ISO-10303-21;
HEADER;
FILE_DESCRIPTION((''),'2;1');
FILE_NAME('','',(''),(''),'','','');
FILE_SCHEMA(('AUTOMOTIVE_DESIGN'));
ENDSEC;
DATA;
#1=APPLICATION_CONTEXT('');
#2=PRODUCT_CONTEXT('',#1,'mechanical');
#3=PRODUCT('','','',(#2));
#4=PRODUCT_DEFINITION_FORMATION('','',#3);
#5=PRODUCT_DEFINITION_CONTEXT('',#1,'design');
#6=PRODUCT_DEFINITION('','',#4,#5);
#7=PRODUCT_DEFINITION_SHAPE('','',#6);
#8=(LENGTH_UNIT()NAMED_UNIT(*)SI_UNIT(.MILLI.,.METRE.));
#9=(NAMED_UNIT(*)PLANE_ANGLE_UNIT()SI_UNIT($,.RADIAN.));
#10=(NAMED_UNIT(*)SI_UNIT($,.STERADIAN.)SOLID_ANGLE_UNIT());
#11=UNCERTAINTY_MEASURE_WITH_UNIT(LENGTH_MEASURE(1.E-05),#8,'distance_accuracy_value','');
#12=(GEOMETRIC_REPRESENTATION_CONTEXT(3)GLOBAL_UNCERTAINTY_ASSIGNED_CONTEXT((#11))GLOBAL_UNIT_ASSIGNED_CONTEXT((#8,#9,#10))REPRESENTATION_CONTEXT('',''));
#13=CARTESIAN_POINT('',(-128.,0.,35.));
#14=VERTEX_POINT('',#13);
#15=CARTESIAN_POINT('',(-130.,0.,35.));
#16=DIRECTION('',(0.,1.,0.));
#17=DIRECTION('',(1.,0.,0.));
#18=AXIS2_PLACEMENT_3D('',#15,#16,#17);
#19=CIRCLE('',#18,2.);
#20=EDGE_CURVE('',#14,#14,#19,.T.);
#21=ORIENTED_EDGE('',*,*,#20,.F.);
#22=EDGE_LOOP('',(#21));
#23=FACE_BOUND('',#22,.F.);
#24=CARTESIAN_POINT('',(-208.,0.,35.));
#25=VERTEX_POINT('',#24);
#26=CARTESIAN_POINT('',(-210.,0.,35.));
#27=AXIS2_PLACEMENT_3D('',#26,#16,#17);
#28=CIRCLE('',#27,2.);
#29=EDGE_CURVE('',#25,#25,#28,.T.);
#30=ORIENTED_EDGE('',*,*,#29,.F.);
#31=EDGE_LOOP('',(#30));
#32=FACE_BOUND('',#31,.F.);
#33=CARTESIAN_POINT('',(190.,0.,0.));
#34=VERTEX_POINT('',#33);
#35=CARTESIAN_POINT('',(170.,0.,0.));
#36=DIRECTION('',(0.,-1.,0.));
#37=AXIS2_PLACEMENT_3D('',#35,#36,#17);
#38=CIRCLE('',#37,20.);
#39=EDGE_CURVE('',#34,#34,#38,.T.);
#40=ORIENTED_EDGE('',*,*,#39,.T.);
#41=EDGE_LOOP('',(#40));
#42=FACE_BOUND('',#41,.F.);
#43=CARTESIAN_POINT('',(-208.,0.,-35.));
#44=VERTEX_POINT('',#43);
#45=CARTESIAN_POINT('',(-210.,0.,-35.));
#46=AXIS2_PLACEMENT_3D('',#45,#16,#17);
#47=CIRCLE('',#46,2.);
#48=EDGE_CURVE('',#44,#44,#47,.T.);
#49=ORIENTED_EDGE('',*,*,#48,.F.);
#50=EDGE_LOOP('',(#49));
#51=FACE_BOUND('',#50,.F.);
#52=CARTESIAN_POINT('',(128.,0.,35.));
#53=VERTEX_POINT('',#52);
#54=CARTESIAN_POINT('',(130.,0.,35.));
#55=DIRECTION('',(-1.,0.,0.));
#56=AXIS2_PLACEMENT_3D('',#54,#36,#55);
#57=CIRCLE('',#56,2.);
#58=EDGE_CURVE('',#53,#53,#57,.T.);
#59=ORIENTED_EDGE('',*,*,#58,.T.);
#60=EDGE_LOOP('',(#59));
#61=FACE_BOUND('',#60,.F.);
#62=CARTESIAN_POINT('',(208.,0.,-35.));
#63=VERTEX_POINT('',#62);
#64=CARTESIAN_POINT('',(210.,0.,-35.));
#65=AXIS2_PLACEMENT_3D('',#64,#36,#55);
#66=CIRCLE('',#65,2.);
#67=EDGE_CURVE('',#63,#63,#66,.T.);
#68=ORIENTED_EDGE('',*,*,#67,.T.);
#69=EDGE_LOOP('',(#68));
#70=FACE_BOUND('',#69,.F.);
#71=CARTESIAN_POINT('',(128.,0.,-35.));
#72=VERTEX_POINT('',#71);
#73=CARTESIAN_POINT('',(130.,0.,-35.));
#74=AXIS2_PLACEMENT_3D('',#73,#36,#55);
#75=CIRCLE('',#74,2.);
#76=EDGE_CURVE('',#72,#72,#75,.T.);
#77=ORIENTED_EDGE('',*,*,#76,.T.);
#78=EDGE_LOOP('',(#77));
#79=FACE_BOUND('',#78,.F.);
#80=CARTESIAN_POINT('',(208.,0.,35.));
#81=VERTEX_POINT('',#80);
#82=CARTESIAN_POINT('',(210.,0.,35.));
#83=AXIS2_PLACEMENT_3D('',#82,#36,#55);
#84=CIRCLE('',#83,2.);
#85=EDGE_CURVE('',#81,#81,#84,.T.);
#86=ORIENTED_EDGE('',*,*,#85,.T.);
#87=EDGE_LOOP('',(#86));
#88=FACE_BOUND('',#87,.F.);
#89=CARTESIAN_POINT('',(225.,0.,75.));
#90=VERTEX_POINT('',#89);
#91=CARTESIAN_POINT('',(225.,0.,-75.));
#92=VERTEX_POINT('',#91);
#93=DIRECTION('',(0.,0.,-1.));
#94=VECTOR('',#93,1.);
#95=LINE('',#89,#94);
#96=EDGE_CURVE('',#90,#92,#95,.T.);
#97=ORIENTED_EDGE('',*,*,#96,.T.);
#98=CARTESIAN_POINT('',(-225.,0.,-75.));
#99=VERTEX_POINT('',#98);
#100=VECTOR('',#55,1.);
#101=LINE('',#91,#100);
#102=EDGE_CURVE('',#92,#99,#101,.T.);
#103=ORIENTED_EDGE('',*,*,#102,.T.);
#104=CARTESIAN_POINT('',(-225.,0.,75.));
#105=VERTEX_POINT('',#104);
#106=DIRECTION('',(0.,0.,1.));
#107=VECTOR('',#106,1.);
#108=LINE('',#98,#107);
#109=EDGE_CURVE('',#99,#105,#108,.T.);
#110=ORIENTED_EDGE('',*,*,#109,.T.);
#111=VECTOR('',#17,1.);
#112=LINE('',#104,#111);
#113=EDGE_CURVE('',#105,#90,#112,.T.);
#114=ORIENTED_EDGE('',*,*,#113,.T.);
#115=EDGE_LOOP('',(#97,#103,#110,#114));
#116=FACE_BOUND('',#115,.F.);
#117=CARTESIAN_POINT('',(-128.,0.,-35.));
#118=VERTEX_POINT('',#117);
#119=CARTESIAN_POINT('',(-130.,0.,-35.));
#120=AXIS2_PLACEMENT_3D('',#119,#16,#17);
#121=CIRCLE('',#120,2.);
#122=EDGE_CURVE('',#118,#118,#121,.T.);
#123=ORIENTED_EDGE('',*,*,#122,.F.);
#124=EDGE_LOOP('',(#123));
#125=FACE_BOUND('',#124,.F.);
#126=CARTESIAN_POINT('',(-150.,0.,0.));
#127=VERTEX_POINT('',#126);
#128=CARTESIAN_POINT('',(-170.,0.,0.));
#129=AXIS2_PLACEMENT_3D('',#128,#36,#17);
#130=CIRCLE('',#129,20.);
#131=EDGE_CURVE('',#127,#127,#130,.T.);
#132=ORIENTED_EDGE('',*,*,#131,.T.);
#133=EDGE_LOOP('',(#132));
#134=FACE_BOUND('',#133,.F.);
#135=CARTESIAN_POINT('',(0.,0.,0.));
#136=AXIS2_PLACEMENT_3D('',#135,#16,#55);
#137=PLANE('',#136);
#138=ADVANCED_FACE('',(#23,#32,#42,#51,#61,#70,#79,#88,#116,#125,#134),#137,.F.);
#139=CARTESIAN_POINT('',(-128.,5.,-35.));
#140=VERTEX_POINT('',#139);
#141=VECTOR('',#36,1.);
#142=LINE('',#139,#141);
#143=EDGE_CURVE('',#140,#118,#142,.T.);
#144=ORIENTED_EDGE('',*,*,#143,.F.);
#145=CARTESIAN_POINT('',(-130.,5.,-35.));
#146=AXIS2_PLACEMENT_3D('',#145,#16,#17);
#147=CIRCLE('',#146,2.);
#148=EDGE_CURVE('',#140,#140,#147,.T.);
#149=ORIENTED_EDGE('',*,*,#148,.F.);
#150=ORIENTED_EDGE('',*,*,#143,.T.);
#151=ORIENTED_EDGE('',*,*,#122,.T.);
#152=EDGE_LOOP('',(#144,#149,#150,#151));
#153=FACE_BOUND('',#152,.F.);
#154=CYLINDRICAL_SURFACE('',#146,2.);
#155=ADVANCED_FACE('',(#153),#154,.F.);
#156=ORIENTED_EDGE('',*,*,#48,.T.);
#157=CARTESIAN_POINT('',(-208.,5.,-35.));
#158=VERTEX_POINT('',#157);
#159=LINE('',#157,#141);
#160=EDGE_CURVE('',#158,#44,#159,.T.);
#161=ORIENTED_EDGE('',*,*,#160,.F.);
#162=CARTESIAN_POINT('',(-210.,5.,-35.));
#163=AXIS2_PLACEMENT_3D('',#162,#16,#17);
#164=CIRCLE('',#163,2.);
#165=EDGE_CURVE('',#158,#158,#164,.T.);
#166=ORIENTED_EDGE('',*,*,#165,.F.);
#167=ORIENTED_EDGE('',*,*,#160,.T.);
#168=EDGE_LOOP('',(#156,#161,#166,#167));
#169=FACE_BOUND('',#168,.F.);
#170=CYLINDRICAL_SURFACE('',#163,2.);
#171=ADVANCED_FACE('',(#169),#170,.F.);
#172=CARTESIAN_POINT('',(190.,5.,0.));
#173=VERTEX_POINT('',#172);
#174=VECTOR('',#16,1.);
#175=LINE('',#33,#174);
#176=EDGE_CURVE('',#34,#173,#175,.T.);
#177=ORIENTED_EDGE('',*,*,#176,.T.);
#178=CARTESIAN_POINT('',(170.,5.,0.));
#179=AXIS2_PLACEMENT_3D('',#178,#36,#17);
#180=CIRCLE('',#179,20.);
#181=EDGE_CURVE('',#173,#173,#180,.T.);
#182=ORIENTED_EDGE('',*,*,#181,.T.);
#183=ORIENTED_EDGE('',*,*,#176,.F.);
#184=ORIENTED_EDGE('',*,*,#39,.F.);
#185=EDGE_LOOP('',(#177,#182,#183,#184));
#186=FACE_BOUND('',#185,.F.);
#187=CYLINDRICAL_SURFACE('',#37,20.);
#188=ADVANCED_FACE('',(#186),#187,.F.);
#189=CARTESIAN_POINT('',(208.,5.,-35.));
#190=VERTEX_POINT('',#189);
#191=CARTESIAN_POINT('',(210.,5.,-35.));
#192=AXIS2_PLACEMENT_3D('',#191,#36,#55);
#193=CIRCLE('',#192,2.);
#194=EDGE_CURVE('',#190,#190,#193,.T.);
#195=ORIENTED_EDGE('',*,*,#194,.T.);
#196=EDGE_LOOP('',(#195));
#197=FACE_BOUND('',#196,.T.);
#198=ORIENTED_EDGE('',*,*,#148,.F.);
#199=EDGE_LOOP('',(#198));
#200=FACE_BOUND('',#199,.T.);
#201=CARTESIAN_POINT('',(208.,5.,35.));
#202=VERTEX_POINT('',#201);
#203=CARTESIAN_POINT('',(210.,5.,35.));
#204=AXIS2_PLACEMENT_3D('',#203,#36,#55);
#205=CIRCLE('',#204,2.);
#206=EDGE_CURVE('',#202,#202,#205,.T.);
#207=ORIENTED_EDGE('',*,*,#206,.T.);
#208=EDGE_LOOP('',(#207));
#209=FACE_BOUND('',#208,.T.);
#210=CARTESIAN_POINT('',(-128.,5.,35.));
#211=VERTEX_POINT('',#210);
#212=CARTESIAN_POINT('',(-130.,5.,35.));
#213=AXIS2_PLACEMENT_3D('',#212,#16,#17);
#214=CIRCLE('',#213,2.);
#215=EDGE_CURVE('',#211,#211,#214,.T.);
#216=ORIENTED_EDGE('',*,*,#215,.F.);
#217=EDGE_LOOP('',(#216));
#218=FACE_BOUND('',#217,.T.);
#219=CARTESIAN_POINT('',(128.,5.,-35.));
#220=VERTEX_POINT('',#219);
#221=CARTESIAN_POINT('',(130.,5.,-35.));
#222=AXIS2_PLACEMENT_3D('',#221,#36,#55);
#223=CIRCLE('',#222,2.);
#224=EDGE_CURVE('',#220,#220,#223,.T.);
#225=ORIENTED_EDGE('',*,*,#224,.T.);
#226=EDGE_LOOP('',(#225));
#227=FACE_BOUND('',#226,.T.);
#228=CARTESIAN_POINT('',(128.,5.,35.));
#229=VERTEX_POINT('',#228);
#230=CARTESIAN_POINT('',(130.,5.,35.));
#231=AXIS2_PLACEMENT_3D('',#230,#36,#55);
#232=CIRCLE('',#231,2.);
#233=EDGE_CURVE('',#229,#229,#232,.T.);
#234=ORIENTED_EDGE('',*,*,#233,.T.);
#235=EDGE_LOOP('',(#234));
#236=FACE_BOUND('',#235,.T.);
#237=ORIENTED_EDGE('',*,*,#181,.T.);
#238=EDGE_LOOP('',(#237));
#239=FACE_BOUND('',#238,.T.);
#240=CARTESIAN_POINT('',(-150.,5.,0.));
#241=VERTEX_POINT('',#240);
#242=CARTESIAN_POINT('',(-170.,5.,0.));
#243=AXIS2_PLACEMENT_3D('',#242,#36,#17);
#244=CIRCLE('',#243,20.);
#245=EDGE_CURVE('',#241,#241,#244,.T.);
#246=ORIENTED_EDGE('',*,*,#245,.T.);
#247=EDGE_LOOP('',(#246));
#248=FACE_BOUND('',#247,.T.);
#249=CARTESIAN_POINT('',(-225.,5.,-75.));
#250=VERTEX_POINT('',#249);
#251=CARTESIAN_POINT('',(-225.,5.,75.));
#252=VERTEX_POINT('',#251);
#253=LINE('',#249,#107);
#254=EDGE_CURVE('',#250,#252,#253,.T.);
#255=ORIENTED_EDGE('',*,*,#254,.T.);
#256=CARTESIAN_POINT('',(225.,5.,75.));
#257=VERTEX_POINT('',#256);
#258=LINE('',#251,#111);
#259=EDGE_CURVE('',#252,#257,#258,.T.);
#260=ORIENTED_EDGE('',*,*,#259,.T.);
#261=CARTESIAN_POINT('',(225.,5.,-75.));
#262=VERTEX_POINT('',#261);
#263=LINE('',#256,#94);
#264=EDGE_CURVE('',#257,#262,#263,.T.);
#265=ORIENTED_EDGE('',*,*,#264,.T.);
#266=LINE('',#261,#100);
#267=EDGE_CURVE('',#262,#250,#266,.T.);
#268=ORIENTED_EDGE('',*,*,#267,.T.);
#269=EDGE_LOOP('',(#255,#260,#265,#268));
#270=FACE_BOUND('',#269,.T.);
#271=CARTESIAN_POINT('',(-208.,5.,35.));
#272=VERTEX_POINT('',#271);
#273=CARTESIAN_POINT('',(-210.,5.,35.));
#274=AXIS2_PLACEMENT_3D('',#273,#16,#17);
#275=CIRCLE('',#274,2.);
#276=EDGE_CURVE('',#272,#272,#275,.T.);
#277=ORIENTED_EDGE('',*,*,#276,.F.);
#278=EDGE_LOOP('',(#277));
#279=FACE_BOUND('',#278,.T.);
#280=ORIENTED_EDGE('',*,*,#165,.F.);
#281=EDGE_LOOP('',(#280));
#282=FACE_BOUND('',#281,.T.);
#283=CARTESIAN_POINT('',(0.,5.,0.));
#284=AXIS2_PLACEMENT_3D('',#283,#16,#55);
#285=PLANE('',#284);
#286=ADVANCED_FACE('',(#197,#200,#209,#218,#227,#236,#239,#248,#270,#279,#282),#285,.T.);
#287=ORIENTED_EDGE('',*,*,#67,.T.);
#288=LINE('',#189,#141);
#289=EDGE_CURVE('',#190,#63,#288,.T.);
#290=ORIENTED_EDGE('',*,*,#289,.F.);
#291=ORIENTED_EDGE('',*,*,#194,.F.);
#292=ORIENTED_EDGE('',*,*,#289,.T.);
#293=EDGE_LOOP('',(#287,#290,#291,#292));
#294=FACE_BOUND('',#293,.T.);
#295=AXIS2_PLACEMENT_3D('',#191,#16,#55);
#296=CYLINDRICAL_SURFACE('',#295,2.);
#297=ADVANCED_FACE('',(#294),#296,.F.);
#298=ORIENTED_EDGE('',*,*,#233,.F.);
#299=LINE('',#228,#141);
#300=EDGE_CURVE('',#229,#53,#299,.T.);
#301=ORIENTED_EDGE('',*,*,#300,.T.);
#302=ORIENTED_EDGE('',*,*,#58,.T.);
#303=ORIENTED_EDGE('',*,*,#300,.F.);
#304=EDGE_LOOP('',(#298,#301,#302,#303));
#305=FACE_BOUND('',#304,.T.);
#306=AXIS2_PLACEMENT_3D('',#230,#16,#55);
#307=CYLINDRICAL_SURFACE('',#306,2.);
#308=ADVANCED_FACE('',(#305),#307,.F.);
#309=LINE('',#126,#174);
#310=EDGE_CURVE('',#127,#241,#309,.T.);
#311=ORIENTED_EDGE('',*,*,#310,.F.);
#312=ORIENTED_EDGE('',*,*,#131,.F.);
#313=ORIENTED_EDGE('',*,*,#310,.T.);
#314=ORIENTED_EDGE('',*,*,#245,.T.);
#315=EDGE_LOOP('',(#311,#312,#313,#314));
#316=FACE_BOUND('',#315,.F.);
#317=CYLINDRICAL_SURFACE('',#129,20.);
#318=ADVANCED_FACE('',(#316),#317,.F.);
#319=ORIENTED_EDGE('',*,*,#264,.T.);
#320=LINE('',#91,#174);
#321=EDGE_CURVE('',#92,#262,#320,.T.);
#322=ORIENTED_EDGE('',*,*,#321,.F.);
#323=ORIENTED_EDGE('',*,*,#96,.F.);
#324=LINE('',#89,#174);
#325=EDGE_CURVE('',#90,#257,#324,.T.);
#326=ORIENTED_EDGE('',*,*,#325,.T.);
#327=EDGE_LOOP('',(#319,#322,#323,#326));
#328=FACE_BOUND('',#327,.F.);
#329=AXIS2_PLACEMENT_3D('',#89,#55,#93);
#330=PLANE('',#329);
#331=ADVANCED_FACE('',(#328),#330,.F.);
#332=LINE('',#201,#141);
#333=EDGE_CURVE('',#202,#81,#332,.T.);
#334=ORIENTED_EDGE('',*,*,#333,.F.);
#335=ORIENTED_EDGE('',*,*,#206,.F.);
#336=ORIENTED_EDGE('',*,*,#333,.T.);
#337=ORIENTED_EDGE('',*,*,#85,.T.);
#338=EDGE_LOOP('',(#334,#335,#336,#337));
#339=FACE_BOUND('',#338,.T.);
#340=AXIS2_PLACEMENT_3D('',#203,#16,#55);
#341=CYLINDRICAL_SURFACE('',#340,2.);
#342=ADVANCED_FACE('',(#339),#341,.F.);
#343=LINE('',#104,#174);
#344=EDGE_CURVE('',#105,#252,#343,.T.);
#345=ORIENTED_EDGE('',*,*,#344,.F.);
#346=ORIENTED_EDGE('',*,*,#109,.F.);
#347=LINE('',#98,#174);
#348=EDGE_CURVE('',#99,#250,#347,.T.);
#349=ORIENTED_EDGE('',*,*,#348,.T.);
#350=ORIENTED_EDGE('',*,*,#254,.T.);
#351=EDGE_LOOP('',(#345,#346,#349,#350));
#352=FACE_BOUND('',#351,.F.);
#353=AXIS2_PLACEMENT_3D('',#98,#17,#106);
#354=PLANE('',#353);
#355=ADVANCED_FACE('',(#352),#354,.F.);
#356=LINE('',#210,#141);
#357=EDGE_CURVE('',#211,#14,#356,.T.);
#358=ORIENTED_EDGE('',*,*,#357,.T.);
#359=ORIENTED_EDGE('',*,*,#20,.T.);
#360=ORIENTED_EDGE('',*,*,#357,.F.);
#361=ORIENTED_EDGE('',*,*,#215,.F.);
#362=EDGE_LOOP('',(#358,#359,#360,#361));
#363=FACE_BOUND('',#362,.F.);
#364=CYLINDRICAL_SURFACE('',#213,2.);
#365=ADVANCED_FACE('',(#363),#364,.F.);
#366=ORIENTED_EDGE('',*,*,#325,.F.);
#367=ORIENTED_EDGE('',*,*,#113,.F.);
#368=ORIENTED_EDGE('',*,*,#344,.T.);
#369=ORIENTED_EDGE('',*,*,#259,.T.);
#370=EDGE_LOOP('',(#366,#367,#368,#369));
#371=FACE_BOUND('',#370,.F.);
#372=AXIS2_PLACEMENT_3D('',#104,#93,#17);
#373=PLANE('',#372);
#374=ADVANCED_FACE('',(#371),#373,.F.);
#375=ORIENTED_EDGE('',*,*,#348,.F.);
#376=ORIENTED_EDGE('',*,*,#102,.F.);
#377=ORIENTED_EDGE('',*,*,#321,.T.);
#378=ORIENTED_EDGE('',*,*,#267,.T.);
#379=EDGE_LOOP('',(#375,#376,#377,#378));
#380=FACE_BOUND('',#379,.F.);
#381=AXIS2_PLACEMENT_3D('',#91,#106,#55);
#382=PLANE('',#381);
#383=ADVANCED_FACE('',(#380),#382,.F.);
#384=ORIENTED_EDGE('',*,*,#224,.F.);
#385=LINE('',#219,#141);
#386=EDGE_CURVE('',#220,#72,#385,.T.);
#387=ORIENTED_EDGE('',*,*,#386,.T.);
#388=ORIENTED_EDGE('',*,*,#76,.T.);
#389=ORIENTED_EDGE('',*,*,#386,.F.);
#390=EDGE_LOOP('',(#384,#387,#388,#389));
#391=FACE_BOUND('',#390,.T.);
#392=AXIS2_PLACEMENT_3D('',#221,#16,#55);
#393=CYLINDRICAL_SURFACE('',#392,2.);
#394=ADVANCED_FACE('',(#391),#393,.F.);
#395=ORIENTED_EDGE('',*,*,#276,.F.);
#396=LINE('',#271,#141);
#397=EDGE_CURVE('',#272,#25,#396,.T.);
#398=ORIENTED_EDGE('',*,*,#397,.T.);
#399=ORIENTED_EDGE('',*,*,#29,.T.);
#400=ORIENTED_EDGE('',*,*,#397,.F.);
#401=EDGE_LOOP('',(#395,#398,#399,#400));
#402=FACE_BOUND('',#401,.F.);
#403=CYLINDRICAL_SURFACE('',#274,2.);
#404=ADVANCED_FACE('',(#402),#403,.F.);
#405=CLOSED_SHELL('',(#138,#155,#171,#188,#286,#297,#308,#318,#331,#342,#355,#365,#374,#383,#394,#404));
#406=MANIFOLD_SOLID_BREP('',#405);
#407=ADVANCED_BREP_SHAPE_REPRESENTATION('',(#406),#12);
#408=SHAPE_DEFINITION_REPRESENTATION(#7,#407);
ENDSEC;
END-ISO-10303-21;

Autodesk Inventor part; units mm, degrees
ref_plane "YZ Plane" through (0, 0, 0) normal (1, 0, 0) x (0, 1, 0)
ref_plane "XZ Plane" through (0, 0, 0) normal (0, 1, 0) x (-1, 0, 0)
ref_plane "XY Plane" through (0, 0, 0) normal (0, 0, 1) x (1, 0, 0)
sketch "Sketch1" plane through (0, 0, 0) normal (0, 1, 0) x (-1, 0, 0)
  line L0 (225, 75) -> (-225, 75)
  line L1 (-225, 75) -> (-225, -75)
  line L2 (-225, -75) -> (225, -75)
  line L3 (225, -75) -> (225, 75)
  line L4 (225, 75) -> (-225, -75) construction
  line L5 (-225, 75) -> (225, -75) construction
  point P0 (0, 0)
  dimension "d0" = 450
  dimension "d1" = 150
extrude "Extrusion1" add sketch "Sketch1" along normal blind 5
sketch "Sketch2" plane through (0, 5, 0) normal (0, 1, 0) x (1, 0, 0)
  circle A0 centre (-210, -35) radius 2.05 projected
  circle A1 centre (-130, 35) radius 2.05 projected
  circle A2 centre (-130, -35) radius 2.05 projected
  circle A3 centre (-210, 35) radius 2.05 projected
  arc A4 (-190.5, 40) -> (-194.5, 44.899) centre (-195.5, 40) ccw projected
  line L0 (-190.5, 40) -> (-190.5, -20) projected
  line L1 (-190.5, -20) -> (-149.5, -20) projected
  line L2 (-149.5, -20) -> (-149.5, 56) projected
  line L3 (-180, 56) -> (-180, 75) projected
  line L4 (-180, 75) -> (-120, 75) projected
  line L5 (-120, 75) -> (-120, -75) projected
  line L6 (-120, -75) -> (-220, -75) projected
  line L7 (-220, -75) -> (-220, 75) projected
  line L8 (-220, 75) -> (-198.5, 75) projected
  line L9 (-198.5, 75) -> (-198.5, 49.798) projected
  arc A5 (-198.5, 49.798) -> (-194.5, 44.899) centre (-193.5, 49.798) ccw projected
  circle A6 centre (-210, 35) radius 2
  circle A7 centre (-210, -35) radius 2
  circle A8 centre (-130, -35) radius 2
  circle A9 centre (-130, 35) radius 2
  line L10 (-149.5, 56) -> (-180, 56) projected
  point P0 (0, 0)
  dimension "d4" = 4
  dimension "d5" = 4
  dimension "d6" = 4
  dimension "d7" = 4
extrude "Extrusion2" cut sketch "Sketch2" against normal blind 5 contours A6 | A7 | A8 | A9
mirror "Mirror1" about plane through (0, 0, 0) normal (1, 0, 0) of "Extrusion2"
sketch "Sketch4" plane through (0, 0, 0) normal (0, -1, 0) x (1, 0, 0)
  line L0 (62, 45) -> (62, 5) projected
  circle A0 centre (210, -35) radius 2 projected
  circle A1 centre (130, -35) radius 2 projected
  circle A2 centre (210, 35) radius 2 projected
  circle A3 centre (130, 35) radius 2 projected
  circle A4 centre (-130, 35) radius 2 projected
  circle A5 centre (-210, 35) radius 2 projected
  circle A6 centre (-130, -35) radius 2 projected
  circle A7 centre (-210, -35) radius 2 projected
  line L1 (225, 75) -> (225, -75) projected
  line L2 (-225, 75) -> (225, 75) projected
  line L3 (-225, -75) -> (-225, 75) projected
  line L4 (225, -75) -> (-225, -75) projected
  circle A8 centre (-170, 0) radius 20
  circle A9 centre (170, 0) radius 20
  point P0 (0, 0)
  dimension "d16" = 40
  dimension "d17" = 40
extrude "Extrusion4" cut sketch "Sketch4" against normal blind 5 contours A8 | A9
properties part number "acrylic_back"
